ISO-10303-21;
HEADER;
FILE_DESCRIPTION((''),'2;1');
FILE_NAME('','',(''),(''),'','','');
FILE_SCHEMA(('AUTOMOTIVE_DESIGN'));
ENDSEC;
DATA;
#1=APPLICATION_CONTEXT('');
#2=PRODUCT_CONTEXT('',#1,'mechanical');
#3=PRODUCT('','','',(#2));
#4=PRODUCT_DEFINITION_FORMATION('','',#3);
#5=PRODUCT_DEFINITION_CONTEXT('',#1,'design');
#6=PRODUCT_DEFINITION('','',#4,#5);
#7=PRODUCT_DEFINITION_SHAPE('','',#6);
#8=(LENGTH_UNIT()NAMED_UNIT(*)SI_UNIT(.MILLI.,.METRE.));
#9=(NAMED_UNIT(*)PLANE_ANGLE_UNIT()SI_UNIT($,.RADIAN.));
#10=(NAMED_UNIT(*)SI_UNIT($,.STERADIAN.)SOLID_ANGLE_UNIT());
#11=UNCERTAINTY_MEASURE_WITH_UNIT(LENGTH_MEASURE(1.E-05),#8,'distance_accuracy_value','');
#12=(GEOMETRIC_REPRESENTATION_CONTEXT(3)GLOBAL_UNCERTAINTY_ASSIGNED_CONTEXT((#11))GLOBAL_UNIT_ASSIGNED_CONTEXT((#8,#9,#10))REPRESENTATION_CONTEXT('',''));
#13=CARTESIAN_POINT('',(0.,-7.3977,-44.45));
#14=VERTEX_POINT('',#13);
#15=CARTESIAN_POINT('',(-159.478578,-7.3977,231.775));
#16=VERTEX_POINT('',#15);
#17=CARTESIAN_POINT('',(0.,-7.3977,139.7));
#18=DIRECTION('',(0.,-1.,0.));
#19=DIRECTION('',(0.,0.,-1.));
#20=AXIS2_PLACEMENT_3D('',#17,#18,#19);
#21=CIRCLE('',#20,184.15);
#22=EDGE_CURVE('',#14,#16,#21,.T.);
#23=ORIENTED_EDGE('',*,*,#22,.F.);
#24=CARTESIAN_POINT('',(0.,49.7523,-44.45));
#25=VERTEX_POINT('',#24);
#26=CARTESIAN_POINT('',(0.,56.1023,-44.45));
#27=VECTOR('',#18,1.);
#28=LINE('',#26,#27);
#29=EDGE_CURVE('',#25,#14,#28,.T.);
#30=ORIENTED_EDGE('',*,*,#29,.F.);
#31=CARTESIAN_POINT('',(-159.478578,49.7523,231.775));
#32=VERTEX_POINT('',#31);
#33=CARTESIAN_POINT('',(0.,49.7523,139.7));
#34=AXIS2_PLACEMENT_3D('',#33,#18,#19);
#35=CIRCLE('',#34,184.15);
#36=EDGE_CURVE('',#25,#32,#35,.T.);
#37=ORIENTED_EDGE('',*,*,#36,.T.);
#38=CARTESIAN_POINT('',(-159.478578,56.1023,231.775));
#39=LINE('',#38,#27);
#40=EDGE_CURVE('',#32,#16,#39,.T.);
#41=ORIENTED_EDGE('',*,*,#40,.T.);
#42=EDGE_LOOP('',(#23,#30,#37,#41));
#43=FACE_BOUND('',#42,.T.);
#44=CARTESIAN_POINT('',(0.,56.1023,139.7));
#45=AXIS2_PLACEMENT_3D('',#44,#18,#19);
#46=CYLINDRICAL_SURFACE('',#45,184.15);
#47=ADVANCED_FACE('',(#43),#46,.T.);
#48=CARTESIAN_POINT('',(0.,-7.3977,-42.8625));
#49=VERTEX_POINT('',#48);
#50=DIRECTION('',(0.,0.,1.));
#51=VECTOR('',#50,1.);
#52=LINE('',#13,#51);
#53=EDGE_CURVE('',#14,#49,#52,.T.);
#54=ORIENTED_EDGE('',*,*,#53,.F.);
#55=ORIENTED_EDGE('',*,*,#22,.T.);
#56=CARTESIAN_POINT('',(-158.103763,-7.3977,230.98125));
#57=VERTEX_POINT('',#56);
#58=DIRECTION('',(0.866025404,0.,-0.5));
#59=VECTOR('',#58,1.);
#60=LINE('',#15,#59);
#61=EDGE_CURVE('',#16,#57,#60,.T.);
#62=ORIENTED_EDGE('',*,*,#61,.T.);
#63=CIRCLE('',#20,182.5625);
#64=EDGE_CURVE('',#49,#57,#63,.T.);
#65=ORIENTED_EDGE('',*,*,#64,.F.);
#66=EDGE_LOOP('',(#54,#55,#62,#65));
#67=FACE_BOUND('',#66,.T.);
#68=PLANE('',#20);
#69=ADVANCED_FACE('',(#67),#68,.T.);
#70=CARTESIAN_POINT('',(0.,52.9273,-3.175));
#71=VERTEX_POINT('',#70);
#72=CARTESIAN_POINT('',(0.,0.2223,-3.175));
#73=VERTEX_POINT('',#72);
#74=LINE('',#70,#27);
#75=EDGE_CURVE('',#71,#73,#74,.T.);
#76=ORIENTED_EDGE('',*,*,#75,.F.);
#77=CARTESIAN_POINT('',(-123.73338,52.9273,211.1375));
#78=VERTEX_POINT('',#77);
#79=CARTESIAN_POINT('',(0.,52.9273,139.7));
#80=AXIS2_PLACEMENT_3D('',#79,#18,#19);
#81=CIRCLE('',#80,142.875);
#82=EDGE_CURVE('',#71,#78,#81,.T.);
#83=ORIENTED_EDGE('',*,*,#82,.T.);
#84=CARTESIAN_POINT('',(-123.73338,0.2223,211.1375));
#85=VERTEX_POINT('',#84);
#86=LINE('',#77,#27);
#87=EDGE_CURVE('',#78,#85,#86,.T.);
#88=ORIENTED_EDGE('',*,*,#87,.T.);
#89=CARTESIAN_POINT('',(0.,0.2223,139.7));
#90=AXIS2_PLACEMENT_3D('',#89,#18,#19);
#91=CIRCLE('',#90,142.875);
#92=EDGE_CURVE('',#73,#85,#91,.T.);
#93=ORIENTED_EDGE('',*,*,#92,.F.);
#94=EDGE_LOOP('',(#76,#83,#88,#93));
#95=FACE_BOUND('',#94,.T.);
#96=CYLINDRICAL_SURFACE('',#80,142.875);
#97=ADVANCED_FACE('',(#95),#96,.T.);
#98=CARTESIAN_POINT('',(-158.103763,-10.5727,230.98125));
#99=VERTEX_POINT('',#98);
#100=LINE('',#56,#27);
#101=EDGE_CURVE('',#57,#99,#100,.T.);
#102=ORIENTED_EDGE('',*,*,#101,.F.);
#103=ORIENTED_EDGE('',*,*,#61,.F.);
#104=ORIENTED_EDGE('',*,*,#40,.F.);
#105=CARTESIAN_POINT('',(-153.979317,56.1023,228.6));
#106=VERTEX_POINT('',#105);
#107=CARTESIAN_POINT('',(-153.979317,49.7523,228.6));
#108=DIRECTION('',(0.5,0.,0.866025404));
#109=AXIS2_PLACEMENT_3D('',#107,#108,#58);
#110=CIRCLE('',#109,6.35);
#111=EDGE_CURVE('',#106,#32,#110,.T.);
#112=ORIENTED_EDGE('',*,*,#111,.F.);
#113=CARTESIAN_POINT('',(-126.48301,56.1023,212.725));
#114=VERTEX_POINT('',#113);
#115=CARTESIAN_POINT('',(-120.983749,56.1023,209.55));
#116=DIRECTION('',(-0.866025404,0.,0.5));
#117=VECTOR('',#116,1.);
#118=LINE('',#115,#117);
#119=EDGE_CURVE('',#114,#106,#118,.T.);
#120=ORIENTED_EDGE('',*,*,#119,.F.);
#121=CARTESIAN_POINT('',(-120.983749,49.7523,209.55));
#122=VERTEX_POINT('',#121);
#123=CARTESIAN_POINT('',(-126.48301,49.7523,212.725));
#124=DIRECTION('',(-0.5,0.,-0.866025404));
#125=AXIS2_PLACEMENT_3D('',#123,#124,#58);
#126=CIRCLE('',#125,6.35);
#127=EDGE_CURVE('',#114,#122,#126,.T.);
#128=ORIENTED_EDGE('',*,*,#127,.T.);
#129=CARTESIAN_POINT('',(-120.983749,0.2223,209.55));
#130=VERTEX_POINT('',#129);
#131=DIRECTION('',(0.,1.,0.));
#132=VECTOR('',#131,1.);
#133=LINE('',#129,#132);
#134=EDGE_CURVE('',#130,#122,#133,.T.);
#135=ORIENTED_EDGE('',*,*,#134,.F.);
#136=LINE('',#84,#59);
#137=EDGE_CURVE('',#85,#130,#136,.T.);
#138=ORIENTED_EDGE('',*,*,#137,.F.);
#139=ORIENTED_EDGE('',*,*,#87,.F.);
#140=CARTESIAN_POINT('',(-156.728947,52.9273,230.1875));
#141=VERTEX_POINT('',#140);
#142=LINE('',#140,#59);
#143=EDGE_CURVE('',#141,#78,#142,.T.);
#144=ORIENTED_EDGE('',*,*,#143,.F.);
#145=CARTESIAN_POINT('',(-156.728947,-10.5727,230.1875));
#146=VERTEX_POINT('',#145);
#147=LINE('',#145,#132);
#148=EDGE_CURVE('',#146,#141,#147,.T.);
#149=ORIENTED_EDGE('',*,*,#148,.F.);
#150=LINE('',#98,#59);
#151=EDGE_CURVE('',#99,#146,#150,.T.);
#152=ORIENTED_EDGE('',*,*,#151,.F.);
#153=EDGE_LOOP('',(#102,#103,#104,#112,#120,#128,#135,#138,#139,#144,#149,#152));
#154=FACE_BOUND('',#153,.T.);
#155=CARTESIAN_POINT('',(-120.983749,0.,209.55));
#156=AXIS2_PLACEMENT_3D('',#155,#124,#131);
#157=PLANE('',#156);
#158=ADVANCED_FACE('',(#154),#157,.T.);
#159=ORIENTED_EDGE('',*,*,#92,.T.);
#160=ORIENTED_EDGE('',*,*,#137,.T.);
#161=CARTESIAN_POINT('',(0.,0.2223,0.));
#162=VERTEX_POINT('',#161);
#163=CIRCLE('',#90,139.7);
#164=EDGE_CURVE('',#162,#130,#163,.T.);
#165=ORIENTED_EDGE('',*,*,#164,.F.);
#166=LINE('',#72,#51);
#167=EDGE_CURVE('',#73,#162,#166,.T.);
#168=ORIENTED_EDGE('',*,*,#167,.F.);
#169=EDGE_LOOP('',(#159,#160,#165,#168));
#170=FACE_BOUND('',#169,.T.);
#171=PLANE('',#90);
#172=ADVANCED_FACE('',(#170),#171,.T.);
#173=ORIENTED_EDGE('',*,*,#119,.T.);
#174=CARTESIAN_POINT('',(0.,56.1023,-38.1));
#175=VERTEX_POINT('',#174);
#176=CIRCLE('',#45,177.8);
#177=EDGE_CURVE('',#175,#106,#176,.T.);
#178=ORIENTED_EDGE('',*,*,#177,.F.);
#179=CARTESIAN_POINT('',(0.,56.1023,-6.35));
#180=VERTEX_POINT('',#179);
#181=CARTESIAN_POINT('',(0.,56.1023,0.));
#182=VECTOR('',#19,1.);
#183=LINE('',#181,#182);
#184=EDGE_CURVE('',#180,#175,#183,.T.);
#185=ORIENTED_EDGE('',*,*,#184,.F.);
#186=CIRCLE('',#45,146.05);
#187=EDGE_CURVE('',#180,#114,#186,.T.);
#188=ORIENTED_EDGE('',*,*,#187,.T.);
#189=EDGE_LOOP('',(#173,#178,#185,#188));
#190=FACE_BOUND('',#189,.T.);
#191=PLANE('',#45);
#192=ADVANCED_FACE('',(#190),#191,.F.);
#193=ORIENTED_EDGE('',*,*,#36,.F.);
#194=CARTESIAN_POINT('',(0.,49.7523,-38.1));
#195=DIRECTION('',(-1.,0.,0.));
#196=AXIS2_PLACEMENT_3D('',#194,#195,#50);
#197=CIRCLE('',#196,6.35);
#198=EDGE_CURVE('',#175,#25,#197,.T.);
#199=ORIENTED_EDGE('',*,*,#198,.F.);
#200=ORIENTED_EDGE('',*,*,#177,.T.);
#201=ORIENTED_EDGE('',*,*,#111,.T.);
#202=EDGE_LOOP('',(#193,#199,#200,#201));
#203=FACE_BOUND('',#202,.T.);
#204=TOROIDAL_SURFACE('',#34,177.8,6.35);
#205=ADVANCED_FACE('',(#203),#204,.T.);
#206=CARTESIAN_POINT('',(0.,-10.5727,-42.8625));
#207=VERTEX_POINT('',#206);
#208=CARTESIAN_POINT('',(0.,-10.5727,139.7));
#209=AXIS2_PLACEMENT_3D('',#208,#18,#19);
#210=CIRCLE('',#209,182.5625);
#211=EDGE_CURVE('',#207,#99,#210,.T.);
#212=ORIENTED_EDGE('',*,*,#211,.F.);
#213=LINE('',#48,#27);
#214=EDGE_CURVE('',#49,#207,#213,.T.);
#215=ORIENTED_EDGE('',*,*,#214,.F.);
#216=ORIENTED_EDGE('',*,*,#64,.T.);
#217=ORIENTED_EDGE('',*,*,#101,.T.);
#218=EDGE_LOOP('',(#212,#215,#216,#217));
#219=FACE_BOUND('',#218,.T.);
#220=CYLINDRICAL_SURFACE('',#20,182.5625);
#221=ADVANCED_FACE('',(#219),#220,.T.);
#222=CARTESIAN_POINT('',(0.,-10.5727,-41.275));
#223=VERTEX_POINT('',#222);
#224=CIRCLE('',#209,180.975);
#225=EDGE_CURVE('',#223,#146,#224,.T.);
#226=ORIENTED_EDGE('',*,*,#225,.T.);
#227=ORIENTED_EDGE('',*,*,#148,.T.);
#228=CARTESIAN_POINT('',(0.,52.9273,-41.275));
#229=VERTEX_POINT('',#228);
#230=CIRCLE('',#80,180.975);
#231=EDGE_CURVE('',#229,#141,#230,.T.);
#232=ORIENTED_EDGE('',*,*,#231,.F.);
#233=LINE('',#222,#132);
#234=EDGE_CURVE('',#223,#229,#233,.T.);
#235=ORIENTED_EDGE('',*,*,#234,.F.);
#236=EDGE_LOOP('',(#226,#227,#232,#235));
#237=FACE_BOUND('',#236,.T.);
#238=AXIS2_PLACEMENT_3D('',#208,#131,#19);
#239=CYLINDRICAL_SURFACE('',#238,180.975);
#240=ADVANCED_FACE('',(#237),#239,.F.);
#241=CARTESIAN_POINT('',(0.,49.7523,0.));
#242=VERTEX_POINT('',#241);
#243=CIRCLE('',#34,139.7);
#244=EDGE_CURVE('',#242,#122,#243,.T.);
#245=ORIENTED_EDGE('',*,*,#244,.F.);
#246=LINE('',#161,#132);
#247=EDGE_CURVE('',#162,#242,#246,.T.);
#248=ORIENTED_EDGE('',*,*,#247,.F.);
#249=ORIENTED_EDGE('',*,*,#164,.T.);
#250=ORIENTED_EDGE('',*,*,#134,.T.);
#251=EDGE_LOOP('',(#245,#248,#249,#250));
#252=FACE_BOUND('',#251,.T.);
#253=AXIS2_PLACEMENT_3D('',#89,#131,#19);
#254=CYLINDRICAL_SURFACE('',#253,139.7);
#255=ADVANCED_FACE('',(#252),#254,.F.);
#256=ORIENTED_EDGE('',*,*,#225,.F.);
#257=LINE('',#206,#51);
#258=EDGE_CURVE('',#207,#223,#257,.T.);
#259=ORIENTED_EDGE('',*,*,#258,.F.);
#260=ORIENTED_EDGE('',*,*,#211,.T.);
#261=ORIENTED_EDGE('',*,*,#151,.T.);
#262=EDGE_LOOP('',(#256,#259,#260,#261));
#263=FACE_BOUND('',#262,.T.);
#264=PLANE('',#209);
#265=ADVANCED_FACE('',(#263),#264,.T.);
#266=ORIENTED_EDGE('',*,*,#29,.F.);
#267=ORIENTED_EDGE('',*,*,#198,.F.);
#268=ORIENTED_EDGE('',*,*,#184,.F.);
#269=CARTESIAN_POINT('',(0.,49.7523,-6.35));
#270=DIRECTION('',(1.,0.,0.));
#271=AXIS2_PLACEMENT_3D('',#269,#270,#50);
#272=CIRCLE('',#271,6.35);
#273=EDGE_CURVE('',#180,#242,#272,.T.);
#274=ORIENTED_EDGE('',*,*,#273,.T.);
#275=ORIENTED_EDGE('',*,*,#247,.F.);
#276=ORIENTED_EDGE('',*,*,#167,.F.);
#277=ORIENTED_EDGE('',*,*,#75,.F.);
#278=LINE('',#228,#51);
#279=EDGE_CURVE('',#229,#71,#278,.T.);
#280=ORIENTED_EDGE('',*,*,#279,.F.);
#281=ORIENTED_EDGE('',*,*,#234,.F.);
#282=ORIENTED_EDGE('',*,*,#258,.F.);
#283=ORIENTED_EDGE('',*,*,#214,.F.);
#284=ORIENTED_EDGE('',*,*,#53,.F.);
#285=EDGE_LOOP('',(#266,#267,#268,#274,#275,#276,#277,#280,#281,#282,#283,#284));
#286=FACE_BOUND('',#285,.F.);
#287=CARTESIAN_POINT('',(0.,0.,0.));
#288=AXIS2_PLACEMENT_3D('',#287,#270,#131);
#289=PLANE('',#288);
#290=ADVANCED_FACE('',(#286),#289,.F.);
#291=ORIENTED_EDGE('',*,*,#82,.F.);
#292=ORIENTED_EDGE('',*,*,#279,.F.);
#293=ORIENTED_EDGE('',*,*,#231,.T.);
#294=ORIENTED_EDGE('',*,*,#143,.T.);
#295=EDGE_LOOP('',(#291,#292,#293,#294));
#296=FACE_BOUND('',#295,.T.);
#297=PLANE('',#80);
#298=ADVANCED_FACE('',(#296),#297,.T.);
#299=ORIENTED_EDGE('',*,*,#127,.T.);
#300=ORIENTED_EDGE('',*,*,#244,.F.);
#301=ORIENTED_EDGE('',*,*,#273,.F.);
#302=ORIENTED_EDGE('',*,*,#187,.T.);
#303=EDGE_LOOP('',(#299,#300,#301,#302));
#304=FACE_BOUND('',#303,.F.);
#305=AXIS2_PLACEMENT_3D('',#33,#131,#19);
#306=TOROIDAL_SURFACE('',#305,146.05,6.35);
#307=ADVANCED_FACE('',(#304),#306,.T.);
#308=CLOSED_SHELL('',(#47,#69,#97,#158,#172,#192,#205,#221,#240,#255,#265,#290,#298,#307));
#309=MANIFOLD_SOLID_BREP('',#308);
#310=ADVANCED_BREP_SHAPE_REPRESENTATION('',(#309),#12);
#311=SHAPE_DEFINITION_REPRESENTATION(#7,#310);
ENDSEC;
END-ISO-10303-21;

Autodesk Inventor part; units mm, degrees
ref_plane "YZ Plane" through (0, 0, 0) normal (1, 0, 0) x (0, 1, 0)
ref_plane "XZ Plane" through (0, 0, 0) normal (0, 1, 0) x (-1, 0, 0)
ref_plane "XY Plane" through (0, 0, 0) normal (0, 0, 1) x (1, 0, 0)
sketch "Sketch1" plane through (0, 0, 0) normal (1, 0, 0) x (0, 1, 0)
  line L0 (0.2223, 0) -> (56.1023, 0)
  line L1 (56.1023, 0) -> (56.1023, -44.45)
  line L2 (56.1023, -44.45) -> (-7.3977, -44.45)
  line L3 (-7.3977, -44.45) -> (-7.3977, -42.8625)
  line L4 (-7.3977, -42.8625) -> (-10.5727, -42.8625)
  line L5 (-10.5727, -42.8625) -> (-10.5727, -41.275)
  line L6 (-10.5727, -41.275) -> (52.9273, -41.275)
  line L7 (52.9273, -41.275) -> (52.9273, -3.175)
  line L8 (52.9273, -3.175) -> (0.2223, -3.175)
  line L9 (0.2223, -3.175) -> (0.2223, 0)
  line L10 (68.5874, 139.7) -> (-16.5119, 139.7)
  point P0 (0, 0)
  dimension "d0" = 55.88
  dimension "d1" = 44.45
  dimension "d2" = 63.5
  dimension "d3" = 1.5875
  dimension "d4" = 90
  dimension "d5" = 3.175
  dimension "d6" = 1.5875
  dimension "d7" = 63.5
  dimension "d8" = 38.1
  dimension "d9" = 90
  dimension "d10" = 139.7
revolve "Revolution1" add sketch "Sketch1" angle 240 about axis through (0, 68.5874, 139.7) along (0, -1, 0)
fillet "Fillet1" radius 6.35 1 edges at (159.4786, 56.1023, 231.775)
fillet "Fillet2" radius 6.35 1 edges at (120.9837, 56.1023, 209.55)
properties part number "Top"
